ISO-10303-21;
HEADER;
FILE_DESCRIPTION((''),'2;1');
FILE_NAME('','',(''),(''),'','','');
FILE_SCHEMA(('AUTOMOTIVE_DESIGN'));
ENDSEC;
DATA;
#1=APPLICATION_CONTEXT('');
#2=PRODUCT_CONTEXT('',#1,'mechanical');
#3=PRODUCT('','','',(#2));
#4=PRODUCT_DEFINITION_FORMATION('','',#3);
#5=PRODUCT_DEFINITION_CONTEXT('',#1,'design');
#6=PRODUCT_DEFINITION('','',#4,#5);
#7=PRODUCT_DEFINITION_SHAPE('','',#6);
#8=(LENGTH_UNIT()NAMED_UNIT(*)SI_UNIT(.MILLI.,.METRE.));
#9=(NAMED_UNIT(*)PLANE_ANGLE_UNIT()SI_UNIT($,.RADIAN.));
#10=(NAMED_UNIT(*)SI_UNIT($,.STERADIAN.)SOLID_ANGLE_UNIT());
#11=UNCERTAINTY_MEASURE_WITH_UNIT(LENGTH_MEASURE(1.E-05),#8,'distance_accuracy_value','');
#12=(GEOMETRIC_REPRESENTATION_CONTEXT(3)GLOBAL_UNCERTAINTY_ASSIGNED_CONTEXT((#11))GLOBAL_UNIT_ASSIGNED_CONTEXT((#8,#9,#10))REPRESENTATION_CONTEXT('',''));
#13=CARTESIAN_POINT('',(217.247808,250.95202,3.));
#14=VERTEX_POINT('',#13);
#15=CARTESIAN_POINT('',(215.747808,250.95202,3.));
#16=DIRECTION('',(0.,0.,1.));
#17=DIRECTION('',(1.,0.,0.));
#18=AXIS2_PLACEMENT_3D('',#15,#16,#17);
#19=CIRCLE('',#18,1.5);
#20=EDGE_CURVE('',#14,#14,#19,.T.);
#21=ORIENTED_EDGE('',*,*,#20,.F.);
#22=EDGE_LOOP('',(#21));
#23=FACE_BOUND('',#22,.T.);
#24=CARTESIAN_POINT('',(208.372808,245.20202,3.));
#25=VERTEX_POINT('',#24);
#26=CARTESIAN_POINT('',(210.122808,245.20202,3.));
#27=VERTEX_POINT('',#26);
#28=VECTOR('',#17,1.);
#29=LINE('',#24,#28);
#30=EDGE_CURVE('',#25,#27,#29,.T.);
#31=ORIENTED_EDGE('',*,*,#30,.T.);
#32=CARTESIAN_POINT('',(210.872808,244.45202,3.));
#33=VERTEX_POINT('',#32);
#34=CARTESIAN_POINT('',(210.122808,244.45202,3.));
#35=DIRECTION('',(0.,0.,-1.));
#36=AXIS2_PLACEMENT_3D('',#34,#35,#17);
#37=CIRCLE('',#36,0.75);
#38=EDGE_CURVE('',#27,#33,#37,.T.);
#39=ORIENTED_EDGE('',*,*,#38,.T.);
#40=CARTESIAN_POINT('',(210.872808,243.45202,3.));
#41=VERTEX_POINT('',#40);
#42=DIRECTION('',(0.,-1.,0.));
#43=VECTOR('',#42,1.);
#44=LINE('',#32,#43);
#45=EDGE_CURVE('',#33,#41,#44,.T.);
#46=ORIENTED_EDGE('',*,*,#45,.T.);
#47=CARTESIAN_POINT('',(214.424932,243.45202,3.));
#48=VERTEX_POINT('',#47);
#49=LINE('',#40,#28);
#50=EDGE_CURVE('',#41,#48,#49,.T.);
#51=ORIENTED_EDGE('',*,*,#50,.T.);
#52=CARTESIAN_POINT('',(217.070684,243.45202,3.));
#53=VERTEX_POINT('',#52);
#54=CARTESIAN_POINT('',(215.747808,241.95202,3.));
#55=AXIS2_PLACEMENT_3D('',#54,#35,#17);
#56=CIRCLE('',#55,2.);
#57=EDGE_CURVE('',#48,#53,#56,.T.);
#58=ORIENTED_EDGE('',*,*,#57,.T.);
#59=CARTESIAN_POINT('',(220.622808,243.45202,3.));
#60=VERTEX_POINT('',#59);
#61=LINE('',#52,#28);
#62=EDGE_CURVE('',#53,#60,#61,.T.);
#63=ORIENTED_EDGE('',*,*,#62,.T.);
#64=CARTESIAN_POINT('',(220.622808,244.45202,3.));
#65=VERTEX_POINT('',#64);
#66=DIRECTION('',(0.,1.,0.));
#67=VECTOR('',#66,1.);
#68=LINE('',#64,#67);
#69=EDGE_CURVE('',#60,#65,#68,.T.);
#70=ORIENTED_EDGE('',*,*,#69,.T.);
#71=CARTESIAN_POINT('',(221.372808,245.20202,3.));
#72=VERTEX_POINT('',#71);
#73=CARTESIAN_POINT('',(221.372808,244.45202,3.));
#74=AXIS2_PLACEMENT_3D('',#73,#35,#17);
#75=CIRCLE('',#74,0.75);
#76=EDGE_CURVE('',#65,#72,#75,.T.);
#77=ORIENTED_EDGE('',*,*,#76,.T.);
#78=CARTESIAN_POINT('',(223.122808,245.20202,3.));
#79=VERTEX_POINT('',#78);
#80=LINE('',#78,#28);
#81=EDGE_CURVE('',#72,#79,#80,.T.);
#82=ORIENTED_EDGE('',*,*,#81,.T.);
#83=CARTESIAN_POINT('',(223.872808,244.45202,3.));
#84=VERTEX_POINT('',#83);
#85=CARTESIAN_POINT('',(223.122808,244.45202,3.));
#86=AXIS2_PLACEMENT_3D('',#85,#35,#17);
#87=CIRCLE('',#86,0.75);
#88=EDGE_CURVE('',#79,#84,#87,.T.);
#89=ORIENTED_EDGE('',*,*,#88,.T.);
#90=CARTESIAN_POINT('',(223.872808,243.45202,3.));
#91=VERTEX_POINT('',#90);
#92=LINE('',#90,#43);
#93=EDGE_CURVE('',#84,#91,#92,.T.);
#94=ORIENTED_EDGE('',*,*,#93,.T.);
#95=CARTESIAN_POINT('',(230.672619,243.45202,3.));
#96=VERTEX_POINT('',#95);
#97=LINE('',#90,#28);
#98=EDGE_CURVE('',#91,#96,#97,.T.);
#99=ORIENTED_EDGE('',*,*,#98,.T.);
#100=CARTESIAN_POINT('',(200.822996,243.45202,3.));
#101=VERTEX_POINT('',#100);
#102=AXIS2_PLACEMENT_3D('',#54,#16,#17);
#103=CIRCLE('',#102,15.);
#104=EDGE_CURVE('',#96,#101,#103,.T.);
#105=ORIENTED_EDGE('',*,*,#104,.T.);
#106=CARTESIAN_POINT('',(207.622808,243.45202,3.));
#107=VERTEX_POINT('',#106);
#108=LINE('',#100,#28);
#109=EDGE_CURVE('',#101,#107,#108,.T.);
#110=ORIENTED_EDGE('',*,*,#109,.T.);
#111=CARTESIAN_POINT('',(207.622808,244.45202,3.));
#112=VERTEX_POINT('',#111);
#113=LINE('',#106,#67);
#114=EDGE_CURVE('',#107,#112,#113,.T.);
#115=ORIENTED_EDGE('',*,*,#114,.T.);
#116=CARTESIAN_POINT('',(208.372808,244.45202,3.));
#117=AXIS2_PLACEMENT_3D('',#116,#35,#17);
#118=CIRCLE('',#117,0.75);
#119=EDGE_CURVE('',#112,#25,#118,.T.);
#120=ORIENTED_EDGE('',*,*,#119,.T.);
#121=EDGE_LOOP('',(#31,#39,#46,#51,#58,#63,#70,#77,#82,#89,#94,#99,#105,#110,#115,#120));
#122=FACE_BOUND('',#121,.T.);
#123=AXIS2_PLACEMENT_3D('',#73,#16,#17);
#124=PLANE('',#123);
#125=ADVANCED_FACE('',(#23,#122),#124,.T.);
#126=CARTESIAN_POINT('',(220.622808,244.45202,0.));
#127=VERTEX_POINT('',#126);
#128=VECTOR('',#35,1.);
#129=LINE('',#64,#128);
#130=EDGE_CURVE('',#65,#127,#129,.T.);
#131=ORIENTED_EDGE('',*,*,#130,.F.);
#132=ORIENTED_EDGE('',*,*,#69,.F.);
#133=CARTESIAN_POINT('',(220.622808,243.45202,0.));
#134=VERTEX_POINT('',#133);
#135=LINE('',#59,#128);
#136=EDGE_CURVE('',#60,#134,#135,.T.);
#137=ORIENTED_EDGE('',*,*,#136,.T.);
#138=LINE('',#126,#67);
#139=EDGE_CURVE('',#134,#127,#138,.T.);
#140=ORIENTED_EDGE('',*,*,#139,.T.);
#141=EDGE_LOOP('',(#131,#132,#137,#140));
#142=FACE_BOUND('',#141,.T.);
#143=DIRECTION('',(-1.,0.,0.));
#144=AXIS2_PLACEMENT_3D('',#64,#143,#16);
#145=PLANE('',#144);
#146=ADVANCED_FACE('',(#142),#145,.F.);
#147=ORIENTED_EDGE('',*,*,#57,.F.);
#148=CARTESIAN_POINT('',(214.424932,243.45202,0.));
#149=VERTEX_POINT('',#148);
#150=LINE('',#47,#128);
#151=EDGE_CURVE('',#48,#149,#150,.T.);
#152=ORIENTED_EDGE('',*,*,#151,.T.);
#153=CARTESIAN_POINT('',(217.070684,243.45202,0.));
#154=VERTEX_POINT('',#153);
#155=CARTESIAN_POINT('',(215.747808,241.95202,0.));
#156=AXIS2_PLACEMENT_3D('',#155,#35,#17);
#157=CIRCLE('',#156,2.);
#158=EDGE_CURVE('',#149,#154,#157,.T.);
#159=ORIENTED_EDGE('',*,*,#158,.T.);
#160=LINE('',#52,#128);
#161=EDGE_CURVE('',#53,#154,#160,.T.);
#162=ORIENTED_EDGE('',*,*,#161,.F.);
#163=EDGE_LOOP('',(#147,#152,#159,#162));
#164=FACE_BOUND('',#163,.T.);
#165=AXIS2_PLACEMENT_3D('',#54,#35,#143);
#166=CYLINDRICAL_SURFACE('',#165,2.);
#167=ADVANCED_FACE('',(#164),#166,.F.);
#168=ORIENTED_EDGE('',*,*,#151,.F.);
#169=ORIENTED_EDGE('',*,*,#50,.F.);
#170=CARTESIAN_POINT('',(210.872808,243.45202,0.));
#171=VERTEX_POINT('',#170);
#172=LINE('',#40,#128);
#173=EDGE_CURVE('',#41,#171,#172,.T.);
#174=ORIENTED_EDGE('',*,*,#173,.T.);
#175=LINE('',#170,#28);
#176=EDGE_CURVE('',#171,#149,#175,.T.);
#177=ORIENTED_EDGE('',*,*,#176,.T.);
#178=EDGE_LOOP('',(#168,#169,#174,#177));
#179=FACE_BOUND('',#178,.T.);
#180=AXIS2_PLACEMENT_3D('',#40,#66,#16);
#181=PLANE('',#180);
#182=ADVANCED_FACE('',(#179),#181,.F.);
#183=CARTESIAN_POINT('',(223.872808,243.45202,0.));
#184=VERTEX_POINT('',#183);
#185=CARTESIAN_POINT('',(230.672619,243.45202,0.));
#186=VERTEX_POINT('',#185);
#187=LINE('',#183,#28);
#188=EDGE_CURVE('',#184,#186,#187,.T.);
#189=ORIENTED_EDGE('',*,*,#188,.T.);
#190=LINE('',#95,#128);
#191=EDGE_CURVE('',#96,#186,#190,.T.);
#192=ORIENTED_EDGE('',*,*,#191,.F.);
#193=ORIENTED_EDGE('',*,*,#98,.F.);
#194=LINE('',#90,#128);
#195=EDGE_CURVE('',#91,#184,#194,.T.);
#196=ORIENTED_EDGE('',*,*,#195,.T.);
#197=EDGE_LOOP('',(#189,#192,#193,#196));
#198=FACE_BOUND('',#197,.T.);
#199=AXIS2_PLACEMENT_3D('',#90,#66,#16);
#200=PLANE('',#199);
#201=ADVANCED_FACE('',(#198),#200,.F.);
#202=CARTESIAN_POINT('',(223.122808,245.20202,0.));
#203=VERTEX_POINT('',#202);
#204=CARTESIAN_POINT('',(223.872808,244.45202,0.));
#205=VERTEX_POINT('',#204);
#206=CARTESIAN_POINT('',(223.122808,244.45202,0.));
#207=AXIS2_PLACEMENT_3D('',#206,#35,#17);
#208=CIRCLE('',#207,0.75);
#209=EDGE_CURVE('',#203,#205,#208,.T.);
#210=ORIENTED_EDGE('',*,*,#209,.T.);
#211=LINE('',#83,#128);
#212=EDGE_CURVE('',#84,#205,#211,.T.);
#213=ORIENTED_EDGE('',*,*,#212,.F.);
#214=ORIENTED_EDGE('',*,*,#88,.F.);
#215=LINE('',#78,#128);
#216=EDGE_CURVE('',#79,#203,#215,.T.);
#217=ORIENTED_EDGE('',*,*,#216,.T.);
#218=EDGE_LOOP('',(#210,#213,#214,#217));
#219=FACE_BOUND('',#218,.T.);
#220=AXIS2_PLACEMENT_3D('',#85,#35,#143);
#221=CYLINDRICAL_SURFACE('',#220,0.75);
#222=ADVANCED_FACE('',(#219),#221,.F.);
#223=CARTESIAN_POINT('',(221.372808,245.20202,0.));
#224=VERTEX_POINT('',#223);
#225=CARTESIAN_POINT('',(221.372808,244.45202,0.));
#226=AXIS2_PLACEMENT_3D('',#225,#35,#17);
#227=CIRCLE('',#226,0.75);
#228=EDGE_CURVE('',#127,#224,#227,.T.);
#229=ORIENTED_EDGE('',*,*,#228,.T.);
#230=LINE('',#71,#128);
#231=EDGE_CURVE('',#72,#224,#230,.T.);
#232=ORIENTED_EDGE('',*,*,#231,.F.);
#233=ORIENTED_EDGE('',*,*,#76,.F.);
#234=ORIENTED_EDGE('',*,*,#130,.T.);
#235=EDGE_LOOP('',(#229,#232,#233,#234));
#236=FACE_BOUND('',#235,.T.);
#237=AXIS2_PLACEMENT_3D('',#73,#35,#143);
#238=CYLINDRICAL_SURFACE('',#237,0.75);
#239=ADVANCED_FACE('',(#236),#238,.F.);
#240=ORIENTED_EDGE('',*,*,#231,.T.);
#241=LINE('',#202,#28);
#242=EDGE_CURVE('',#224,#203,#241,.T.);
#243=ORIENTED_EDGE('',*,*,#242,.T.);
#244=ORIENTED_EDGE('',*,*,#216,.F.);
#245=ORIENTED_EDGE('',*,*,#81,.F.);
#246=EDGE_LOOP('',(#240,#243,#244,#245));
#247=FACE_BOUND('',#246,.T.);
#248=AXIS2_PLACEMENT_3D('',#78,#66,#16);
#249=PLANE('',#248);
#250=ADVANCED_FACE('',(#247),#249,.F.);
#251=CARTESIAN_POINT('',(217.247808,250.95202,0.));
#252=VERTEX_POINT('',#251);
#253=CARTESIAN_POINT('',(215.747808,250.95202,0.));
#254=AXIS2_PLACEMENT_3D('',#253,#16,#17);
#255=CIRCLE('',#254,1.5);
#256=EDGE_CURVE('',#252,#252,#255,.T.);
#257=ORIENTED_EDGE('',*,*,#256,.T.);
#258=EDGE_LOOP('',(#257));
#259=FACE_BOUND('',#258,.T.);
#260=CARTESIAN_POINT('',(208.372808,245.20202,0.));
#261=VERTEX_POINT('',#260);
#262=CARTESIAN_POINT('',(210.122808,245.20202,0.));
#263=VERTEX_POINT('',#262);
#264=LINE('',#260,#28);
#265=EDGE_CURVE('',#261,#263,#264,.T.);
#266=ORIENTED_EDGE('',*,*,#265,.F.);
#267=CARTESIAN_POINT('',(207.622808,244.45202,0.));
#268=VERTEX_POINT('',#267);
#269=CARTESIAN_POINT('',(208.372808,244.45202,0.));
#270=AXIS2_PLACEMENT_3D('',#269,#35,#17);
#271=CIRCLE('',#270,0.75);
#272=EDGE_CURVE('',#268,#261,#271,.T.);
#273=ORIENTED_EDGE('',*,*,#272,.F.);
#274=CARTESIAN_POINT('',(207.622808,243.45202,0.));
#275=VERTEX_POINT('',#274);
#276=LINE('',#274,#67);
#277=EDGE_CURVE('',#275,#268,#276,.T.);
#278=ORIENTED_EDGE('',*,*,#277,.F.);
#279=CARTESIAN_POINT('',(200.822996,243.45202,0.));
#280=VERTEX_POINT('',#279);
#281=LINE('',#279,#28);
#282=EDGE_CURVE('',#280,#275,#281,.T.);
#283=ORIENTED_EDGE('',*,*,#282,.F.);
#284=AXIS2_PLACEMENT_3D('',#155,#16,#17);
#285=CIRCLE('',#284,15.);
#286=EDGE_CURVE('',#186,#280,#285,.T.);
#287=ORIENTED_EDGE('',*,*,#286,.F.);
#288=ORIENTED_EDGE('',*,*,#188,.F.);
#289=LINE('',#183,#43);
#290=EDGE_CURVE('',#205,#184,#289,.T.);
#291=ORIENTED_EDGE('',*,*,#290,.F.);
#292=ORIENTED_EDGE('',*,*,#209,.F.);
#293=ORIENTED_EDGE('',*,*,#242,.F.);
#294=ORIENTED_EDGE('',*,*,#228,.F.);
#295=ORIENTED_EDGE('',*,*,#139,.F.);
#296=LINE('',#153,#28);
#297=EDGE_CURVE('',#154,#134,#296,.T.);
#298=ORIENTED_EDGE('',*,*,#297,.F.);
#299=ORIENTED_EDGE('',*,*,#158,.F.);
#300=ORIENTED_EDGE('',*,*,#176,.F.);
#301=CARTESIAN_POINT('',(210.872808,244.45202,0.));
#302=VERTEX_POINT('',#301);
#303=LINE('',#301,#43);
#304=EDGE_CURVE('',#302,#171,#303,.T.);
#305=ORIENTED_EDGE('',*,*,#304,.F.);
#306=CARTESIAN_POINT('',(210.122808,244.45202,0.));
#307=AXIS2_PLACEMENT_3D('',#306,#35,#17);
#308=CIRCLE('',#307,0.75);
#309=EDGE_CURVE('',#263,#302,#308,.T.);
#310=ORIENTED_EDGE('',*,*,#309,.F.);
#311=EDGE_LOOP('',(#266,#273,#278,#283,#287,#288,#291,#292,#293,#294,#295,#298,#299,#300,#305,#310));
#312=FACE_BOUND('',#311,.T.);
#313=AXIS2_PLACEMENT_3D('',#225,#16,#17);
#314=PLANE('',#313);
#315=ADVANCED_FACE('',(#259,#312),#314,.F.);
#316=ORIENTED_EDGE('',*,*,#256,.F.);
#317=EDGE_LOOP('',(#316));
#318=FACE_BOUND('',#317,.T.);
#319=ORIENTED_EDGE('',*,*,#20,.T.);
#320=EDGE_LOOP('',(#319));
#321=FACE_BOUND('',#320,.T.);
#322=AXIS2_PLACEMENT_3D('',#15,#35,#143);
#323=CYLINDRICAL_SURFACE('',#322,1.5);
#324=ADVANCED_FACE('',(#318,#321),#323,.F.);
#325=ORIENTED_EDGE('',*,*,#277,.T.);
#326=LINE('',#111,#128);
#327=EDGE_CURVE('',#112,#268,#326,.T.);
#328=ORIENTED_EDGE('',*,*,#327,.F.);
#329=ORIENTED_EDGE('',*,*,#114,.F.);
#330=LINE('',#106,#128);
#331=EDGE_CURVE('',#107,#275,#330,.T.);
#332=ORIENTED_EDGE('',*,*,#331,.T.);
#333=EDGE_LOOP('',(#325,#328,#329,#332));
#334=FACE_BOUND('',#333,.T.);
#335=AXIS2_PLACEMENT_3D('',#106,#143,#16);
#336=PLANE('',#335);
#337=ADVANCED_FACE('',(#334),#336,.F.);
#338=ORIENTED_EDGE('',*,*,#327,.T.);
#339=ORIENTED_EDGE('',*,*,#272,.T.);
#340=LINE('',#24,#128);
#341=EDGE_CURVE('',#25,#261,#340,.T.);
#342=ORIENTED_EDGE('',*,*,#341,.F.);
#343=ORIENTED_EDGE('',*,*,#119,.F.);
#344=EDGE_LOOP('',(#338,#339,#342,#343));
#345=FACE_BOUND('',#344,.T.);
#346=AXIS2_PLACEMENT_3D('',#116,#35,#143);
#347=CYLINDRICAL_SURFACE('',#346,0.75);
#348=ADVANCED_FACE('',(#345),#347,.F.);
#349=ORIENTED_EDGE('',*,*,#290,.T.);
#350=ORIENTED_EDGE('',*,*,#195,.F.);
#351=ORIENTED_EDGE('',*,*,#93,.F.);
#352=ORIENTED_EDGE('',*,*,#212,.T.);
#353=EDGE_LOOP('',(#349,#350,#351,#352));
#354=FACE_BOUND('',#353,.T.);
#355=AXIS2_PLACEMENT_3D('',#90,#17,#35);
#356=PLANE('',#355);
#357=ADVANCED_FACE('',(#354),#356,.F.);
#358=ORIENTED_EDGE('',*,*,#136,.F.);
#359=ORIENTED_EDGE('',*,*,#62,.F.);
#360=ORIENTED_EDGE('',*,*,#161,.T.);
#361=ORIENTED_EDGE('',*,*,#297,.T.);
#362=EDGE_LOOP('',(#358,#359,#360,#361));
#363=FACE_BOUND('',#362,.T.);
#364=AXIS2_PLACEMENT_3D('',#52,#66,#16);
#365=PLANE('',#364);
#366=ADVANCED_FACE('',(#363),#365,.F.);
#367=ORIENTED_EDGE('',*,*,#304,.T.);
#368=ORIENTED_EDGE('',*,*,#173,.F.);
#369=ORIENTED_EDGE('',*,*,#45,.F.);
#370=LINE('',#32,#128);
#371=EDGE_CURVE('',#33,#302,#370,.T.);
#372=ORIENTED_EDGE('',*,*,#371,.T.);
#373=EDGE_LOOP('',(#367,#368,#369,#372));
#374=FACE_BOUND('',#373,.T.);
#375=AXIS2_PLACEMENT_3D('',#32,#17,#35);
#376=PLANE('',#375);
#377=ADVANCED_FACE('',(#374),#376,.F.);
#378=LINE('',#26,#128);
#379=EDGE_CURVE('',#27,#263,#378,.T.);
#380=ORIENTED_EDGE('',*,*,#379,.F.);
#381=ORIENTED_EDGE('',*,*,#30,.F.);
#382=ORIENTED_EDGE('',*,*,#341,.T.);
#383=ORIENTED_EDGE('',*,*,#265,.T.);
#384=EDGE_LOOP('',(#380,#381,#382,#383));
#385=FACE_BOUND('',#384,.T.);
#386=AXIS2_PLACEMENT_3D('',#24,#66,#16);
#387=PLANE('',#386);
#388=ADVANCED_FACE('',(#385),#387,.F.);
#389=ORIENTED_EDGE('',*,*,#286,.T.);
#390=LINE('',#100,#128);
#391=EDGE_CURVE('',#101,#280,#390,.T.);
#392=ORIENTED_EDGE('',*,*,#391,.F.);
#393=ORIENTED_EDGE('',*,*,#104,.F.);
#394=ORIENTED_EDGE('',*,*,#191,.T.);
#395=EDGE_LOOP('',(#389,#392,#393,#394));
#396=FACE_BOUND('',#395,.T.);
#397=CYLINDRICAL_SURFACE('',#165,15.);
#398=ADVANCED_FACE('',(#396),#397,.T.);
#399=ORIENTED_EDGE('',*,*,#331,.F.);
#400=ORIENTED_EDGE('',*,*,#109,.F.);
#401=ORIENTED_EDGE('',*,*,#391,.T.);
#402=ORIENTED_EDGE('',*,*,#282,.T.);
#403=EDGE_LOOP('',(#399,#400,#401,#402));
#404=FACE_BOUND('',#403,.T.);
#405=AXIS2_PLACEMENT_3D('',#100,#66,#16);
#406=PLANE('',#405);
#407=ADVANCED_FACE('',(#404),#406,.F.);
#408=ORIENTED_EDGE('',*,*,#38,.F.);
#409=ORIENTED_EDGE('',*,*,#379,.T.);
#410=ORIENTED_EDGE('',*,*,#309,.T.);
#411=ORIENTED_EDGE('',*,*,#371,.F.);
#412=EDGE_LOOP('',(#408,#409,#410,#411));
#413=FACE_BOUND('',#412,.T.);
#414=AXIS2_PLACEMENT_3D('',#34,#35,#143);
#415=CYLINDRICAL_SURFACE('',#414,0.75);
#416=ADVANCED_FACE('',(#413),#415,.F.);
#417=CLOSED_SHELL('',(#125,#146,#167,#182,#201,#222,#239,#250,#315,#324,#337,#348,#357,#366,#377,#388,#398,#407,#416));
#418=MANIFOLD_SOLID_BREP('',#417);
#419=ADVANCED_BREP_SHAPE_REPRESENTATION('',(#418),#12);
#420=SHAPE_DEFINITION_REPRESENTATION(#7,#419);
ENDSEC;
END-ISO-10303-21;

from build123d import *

# Parameters (mm, degrees)
MODEL_R                 = 1.5
SALIENTE_EXTRUIR1_DEPTH = 3


with BuildPart() as part:
    # Model → Saliente-Extruir1 (new body)
    with BuildSketch(Plane.XY):
        with BuildLine():
            Line((223.122807913, 245.202019993), (221.372807913, 245.202019993))
            ThreePointArc((221.372807913, 245.202019993), (220.842477828, 244.982350079), (220.622807913, 244.452019993))
            Line((220.622807913, 244.452019993), (220.622807913, 243.452019993))
            Line((220.622807913, 243.452019993), (217.070683569, 243.452019993))
            ThreePointArc((217.070683569, 243.452019993), (215.747807914, 243.952019993), (214.424932258, 243.452019993))
            Line((214.424932258, 243.452019993), (210.872807913, 243.452019993))
            Line((210.872807913, 243.452019993), (210.872807913, 244.452019993))
            ThreePointArc((210.872807913, 244.452019993), (210.653137999, 244.982350079), (210.122807913, 245.202019993))
            Line((210.122807913, 245.202019993), (208.372807913, 245.202019993))
            ThreePointArc((208.372807913, 245.202019993), (207.842477828, 244.982350079), (207.622807913, 244.452019993))
            Line((207.622807913, 244.452019993), (207.622807913, 243.452019993))
            Line((207.622807913, 243.452019993), (200.822996357, 243.452019993))
            ThreePointArc((200.822996357, 243.452019993), (215.747807914, 256.952019993), (230.67261947, 243.452019993))
            Line((230.67261947, 243.452019993), (223.872807913, 243.452019993))
            Line((223.872807913, 243.452019993), (223.872807913, 244.452019993))
            ThreePointArc((223.872807913, 244.452019993), (223.653137999, 244.982350079), (223.122807913, 245.202019993))
        make_face()
        with Locations((215.747807914, 250.952019993)):
            Circle(MODEL_R, mode=Mode.SUBTRACT)
    extrude(amount=SALIENTE_EXTRUIR1_DEPTH)


solid = part.part
